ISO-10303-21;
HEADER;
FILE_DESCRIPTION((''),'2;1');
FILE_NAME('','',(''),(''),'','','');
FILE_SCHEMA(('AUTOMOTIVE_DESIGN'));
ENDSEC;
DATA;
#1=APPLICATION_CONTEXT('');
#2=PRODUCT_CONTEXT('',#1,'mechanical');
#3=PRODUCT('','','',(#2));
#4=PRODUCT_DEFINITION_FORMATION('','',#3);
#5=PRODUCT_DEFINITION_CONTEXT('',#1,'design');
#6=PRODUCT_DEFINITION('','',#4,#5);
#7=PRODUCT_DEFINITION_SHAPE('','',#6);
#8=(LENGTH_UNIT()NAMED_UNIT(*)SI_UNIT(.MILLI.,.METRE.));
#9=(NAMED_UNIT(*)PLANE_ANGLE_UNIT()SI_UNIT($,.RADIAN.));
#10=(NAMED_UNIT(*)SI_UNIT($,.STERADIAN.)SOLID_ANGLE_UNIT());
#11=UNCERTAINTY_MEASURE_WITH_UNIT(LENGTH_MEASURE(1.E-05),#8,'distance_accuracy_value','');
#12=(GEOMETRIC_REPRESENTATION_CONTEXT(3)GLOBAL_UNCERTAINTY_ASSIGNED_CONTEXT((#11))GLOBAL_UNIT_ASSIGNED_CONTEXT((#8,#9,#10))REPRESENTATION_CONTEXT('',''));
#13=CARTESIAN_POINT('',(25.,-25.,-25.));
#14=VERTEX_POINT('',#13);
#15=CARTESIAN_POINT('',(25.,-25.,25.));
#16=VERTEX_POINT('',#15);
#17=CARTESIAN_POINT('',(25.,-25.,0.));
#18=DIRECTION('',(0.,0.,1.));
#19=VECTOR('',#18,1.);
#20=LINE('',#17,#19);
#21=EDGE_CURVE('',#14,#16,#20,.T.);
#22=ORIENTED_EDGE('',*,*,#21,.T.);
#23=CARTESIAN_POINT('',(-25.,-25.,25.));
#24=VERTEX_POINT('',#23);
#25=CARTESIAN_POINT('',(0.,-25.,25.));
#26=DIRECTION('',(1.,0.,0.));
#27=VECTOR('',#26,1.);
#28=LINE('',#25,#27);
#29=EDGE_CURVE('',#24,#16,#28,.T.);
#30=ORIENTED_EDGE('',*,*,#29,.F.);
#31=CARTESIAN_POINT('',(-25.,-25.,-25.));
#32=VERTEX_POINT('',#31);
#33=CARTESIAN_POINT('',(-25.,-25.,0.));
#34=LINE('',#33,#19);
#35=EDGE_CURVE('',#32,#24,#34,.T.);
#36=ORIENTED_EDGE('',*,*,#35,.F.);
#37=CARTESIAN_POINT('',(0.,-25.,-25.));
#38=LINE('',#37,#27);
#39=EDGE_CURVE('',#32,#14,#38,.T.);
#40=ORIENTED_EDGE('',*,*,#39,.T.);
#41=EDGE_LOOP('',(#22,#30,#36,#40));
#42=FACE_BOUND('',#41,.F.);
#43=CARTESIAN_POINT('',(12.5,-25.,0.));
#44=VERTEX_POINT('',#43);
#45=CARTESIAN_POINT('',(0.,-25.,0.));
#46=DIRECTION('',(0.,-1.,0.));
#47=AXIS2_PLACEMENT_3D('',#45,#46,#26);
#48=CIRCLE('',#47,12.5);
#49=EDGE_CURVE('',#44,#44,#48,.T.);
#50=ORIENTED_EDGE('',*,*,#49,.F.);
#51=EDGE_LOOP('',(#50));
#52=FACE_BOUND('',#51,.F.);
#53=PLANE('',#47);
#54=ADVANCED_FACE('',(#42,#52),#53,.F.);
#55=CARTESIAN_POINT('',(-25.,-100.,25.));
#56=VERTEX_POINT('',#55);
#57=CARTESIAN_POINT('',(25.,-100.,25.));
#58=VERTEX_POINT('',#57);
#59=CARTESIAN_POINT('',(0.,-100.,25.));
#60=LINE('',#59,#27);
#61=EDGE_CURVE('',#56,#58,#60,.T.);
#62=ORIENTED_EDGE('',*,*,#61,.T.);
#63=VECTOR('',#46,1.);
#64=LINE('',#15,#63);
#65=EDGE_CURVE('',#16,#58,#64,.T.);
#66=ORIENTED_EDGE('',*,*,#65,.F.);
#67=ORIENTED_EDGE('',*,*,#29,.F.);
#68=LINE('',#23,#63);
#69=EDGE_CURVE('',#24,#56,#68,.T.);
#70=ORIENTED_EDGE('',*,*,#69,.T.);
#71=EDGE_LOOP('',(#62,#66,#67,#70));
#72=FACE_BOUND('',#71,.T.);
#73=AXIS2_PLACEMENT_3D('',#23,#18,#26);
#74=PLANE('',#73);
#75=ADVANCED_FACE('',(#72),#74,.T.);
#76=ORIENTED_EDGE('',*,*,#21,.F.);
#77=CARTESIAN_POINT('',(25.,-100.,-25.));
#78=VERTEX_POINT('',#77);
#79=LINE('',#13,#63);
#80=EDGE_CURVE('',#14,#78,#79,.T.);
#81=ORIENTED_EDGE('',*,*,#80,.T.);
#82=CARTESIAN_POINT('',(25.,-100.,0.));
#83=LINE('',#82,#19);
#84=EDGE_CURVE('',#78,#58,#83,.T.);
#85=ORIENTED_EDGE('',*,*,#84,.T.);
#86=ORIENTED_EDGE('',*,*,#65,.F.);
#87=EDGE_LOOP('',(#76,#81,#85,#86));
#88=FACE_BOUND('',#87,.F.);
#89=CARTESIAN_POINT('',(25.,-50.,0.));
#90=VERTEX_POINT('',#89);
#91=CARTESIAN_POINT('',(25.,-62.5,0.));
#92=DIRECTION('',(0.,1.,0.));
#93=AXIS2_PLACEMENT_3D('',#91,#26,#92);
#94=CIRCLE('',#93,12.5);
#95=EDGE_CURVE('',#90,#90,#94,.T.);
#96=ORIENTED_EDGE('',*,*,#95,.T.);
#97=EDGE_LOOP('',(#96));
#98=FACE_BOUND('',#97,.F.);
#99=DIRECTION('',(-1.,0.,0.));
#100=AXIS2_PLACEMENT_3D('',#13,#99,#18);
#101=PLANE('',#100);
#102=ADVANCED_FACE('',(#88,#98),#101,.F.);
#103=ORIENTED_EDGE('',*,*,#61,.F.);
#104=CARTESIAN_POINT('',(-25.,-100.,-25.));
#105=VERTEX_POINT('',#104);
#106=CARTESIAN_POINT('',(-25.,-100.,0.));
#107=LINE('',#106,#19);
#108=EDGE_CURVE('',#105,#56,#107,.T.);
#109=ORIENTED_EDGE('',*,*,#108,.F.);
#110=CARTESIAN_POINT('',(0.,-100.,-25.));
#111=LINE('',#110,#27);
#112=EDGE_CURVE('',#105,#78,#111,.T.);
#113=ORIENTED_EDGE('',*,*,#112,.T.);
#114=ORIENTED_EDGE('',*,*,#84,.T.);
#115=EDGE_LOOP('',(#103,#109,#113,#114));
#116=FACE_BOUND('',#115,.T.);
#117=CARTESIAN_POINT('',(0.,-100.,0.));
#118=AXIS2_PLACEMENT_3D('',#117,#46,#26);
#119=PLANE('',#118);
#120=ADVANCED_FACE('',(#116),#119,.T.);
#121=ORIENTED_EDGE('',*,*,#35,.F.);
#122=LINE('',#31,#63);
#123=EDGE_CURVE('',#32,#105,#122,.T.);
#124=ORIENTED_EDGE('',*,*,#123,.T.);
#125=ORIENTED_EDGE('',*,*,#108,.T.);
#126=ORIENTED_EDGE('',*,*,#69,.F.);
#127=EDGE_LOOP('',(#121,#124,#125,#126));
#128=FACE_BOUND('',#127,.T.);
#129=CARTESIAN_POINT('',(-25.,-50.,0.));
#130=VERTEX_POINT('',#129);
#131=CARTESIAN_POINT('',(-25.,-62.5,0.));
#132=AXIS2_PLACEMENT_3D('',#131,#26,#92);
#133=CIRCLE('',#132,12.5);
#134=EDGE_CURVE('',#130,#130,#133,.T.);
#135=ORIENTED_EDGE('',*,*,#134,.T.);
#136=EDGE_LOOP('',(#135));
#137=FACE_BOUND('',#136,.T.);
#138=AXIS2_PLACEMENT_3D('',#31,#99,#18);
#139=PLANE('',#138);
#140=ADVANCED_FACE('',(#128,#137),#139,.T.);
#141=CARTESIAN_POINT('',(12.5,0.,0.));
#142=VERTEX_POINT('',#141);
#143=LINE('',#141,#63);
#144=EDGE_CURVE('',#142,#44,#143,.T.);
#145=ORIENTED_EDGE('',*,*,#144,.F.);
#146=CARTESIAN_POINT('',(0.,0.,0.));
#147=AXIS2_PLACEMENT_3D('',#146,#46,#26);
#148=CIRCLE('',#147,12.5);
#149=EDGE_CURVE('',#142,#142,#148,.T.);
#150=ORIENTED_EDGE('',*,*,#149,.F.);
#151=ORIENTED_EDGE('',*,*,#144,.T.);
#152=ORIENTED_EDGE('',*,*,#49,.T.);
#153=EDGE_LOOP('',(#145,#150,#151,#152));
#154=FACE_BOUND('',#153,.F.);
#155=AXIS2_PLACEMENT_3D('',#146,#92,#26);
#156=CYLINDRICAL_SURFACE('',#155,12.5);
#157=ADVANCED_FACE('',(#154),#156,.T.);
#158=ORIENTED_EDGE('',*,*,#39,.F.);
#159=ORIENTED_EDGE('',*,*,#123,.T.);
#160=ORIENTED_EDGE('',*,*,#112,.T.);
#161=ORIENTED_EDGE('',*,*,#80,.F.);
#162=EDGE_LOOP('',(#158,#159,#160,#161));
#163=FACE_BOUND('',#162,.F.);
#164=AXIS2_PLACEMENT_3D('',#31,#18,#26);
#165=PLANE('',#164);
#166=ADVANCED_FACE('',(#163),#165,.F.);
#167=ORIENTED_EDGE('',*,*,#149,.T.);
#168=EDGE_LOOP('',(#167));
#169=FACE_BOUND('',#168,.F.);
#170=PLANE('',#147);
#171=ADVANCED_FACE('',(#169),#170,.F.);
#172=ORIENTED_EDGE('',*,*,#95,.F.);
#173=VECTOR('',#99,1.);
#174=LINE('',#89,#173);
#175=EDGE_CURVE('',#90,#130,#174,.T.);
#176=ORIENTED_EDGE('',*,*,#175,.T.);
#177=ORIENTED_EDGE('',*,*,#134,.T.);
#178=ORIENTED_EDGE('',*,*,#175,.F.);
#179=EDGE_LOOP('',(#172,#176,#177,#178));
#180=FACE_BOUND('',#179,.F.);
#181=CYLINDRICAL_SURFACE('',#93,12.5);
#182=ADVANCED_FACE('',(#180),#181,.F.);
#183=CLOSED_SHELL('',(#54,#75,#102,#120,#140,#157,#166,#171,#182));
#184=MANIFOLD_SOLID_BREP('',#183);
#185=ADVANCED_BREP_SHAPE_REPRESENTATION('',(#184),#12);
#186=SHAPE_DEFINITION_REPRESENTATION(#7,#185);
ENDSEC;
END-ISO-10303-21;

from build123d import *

# Parameters (mm, degrees)
F0_R     = 12.5
F1_DEPTH = 25
F2_W     = 50
F2_H     = 50
F2_R     = 12.5
F3_DEPTH = 75
F4_R     = 12.5
F5_DEPTH = 50.001


with BuildPart() as f1:
    # F0 (on Front) → F1 (new body)
    with BuildSketch(Plane.XZ):
        Circle(F0_R)
    extrude(amount=F1_DEPTH)

    # F2 (on face) → F3 (join)
    with BuildSketch(Plane.XZ.offset(25)):
        Rectangle(F2_W, F2_H)
        Circle(F2_R, mode=Mode.SUBTRACT)
        Circle(F2_R)
    extrude(amount=F3_DEPTH)

    # F4 (on face) → F5 (cut, through all)
    with BuildSketch(Plane.YZ.offset(25)):
        with Locations((-62.5, 0)):
            Circle(F4_R)
    extrude(amount=-F5_DEPTH, mode=Mode.SUBTRACT)


solid = f1.part
